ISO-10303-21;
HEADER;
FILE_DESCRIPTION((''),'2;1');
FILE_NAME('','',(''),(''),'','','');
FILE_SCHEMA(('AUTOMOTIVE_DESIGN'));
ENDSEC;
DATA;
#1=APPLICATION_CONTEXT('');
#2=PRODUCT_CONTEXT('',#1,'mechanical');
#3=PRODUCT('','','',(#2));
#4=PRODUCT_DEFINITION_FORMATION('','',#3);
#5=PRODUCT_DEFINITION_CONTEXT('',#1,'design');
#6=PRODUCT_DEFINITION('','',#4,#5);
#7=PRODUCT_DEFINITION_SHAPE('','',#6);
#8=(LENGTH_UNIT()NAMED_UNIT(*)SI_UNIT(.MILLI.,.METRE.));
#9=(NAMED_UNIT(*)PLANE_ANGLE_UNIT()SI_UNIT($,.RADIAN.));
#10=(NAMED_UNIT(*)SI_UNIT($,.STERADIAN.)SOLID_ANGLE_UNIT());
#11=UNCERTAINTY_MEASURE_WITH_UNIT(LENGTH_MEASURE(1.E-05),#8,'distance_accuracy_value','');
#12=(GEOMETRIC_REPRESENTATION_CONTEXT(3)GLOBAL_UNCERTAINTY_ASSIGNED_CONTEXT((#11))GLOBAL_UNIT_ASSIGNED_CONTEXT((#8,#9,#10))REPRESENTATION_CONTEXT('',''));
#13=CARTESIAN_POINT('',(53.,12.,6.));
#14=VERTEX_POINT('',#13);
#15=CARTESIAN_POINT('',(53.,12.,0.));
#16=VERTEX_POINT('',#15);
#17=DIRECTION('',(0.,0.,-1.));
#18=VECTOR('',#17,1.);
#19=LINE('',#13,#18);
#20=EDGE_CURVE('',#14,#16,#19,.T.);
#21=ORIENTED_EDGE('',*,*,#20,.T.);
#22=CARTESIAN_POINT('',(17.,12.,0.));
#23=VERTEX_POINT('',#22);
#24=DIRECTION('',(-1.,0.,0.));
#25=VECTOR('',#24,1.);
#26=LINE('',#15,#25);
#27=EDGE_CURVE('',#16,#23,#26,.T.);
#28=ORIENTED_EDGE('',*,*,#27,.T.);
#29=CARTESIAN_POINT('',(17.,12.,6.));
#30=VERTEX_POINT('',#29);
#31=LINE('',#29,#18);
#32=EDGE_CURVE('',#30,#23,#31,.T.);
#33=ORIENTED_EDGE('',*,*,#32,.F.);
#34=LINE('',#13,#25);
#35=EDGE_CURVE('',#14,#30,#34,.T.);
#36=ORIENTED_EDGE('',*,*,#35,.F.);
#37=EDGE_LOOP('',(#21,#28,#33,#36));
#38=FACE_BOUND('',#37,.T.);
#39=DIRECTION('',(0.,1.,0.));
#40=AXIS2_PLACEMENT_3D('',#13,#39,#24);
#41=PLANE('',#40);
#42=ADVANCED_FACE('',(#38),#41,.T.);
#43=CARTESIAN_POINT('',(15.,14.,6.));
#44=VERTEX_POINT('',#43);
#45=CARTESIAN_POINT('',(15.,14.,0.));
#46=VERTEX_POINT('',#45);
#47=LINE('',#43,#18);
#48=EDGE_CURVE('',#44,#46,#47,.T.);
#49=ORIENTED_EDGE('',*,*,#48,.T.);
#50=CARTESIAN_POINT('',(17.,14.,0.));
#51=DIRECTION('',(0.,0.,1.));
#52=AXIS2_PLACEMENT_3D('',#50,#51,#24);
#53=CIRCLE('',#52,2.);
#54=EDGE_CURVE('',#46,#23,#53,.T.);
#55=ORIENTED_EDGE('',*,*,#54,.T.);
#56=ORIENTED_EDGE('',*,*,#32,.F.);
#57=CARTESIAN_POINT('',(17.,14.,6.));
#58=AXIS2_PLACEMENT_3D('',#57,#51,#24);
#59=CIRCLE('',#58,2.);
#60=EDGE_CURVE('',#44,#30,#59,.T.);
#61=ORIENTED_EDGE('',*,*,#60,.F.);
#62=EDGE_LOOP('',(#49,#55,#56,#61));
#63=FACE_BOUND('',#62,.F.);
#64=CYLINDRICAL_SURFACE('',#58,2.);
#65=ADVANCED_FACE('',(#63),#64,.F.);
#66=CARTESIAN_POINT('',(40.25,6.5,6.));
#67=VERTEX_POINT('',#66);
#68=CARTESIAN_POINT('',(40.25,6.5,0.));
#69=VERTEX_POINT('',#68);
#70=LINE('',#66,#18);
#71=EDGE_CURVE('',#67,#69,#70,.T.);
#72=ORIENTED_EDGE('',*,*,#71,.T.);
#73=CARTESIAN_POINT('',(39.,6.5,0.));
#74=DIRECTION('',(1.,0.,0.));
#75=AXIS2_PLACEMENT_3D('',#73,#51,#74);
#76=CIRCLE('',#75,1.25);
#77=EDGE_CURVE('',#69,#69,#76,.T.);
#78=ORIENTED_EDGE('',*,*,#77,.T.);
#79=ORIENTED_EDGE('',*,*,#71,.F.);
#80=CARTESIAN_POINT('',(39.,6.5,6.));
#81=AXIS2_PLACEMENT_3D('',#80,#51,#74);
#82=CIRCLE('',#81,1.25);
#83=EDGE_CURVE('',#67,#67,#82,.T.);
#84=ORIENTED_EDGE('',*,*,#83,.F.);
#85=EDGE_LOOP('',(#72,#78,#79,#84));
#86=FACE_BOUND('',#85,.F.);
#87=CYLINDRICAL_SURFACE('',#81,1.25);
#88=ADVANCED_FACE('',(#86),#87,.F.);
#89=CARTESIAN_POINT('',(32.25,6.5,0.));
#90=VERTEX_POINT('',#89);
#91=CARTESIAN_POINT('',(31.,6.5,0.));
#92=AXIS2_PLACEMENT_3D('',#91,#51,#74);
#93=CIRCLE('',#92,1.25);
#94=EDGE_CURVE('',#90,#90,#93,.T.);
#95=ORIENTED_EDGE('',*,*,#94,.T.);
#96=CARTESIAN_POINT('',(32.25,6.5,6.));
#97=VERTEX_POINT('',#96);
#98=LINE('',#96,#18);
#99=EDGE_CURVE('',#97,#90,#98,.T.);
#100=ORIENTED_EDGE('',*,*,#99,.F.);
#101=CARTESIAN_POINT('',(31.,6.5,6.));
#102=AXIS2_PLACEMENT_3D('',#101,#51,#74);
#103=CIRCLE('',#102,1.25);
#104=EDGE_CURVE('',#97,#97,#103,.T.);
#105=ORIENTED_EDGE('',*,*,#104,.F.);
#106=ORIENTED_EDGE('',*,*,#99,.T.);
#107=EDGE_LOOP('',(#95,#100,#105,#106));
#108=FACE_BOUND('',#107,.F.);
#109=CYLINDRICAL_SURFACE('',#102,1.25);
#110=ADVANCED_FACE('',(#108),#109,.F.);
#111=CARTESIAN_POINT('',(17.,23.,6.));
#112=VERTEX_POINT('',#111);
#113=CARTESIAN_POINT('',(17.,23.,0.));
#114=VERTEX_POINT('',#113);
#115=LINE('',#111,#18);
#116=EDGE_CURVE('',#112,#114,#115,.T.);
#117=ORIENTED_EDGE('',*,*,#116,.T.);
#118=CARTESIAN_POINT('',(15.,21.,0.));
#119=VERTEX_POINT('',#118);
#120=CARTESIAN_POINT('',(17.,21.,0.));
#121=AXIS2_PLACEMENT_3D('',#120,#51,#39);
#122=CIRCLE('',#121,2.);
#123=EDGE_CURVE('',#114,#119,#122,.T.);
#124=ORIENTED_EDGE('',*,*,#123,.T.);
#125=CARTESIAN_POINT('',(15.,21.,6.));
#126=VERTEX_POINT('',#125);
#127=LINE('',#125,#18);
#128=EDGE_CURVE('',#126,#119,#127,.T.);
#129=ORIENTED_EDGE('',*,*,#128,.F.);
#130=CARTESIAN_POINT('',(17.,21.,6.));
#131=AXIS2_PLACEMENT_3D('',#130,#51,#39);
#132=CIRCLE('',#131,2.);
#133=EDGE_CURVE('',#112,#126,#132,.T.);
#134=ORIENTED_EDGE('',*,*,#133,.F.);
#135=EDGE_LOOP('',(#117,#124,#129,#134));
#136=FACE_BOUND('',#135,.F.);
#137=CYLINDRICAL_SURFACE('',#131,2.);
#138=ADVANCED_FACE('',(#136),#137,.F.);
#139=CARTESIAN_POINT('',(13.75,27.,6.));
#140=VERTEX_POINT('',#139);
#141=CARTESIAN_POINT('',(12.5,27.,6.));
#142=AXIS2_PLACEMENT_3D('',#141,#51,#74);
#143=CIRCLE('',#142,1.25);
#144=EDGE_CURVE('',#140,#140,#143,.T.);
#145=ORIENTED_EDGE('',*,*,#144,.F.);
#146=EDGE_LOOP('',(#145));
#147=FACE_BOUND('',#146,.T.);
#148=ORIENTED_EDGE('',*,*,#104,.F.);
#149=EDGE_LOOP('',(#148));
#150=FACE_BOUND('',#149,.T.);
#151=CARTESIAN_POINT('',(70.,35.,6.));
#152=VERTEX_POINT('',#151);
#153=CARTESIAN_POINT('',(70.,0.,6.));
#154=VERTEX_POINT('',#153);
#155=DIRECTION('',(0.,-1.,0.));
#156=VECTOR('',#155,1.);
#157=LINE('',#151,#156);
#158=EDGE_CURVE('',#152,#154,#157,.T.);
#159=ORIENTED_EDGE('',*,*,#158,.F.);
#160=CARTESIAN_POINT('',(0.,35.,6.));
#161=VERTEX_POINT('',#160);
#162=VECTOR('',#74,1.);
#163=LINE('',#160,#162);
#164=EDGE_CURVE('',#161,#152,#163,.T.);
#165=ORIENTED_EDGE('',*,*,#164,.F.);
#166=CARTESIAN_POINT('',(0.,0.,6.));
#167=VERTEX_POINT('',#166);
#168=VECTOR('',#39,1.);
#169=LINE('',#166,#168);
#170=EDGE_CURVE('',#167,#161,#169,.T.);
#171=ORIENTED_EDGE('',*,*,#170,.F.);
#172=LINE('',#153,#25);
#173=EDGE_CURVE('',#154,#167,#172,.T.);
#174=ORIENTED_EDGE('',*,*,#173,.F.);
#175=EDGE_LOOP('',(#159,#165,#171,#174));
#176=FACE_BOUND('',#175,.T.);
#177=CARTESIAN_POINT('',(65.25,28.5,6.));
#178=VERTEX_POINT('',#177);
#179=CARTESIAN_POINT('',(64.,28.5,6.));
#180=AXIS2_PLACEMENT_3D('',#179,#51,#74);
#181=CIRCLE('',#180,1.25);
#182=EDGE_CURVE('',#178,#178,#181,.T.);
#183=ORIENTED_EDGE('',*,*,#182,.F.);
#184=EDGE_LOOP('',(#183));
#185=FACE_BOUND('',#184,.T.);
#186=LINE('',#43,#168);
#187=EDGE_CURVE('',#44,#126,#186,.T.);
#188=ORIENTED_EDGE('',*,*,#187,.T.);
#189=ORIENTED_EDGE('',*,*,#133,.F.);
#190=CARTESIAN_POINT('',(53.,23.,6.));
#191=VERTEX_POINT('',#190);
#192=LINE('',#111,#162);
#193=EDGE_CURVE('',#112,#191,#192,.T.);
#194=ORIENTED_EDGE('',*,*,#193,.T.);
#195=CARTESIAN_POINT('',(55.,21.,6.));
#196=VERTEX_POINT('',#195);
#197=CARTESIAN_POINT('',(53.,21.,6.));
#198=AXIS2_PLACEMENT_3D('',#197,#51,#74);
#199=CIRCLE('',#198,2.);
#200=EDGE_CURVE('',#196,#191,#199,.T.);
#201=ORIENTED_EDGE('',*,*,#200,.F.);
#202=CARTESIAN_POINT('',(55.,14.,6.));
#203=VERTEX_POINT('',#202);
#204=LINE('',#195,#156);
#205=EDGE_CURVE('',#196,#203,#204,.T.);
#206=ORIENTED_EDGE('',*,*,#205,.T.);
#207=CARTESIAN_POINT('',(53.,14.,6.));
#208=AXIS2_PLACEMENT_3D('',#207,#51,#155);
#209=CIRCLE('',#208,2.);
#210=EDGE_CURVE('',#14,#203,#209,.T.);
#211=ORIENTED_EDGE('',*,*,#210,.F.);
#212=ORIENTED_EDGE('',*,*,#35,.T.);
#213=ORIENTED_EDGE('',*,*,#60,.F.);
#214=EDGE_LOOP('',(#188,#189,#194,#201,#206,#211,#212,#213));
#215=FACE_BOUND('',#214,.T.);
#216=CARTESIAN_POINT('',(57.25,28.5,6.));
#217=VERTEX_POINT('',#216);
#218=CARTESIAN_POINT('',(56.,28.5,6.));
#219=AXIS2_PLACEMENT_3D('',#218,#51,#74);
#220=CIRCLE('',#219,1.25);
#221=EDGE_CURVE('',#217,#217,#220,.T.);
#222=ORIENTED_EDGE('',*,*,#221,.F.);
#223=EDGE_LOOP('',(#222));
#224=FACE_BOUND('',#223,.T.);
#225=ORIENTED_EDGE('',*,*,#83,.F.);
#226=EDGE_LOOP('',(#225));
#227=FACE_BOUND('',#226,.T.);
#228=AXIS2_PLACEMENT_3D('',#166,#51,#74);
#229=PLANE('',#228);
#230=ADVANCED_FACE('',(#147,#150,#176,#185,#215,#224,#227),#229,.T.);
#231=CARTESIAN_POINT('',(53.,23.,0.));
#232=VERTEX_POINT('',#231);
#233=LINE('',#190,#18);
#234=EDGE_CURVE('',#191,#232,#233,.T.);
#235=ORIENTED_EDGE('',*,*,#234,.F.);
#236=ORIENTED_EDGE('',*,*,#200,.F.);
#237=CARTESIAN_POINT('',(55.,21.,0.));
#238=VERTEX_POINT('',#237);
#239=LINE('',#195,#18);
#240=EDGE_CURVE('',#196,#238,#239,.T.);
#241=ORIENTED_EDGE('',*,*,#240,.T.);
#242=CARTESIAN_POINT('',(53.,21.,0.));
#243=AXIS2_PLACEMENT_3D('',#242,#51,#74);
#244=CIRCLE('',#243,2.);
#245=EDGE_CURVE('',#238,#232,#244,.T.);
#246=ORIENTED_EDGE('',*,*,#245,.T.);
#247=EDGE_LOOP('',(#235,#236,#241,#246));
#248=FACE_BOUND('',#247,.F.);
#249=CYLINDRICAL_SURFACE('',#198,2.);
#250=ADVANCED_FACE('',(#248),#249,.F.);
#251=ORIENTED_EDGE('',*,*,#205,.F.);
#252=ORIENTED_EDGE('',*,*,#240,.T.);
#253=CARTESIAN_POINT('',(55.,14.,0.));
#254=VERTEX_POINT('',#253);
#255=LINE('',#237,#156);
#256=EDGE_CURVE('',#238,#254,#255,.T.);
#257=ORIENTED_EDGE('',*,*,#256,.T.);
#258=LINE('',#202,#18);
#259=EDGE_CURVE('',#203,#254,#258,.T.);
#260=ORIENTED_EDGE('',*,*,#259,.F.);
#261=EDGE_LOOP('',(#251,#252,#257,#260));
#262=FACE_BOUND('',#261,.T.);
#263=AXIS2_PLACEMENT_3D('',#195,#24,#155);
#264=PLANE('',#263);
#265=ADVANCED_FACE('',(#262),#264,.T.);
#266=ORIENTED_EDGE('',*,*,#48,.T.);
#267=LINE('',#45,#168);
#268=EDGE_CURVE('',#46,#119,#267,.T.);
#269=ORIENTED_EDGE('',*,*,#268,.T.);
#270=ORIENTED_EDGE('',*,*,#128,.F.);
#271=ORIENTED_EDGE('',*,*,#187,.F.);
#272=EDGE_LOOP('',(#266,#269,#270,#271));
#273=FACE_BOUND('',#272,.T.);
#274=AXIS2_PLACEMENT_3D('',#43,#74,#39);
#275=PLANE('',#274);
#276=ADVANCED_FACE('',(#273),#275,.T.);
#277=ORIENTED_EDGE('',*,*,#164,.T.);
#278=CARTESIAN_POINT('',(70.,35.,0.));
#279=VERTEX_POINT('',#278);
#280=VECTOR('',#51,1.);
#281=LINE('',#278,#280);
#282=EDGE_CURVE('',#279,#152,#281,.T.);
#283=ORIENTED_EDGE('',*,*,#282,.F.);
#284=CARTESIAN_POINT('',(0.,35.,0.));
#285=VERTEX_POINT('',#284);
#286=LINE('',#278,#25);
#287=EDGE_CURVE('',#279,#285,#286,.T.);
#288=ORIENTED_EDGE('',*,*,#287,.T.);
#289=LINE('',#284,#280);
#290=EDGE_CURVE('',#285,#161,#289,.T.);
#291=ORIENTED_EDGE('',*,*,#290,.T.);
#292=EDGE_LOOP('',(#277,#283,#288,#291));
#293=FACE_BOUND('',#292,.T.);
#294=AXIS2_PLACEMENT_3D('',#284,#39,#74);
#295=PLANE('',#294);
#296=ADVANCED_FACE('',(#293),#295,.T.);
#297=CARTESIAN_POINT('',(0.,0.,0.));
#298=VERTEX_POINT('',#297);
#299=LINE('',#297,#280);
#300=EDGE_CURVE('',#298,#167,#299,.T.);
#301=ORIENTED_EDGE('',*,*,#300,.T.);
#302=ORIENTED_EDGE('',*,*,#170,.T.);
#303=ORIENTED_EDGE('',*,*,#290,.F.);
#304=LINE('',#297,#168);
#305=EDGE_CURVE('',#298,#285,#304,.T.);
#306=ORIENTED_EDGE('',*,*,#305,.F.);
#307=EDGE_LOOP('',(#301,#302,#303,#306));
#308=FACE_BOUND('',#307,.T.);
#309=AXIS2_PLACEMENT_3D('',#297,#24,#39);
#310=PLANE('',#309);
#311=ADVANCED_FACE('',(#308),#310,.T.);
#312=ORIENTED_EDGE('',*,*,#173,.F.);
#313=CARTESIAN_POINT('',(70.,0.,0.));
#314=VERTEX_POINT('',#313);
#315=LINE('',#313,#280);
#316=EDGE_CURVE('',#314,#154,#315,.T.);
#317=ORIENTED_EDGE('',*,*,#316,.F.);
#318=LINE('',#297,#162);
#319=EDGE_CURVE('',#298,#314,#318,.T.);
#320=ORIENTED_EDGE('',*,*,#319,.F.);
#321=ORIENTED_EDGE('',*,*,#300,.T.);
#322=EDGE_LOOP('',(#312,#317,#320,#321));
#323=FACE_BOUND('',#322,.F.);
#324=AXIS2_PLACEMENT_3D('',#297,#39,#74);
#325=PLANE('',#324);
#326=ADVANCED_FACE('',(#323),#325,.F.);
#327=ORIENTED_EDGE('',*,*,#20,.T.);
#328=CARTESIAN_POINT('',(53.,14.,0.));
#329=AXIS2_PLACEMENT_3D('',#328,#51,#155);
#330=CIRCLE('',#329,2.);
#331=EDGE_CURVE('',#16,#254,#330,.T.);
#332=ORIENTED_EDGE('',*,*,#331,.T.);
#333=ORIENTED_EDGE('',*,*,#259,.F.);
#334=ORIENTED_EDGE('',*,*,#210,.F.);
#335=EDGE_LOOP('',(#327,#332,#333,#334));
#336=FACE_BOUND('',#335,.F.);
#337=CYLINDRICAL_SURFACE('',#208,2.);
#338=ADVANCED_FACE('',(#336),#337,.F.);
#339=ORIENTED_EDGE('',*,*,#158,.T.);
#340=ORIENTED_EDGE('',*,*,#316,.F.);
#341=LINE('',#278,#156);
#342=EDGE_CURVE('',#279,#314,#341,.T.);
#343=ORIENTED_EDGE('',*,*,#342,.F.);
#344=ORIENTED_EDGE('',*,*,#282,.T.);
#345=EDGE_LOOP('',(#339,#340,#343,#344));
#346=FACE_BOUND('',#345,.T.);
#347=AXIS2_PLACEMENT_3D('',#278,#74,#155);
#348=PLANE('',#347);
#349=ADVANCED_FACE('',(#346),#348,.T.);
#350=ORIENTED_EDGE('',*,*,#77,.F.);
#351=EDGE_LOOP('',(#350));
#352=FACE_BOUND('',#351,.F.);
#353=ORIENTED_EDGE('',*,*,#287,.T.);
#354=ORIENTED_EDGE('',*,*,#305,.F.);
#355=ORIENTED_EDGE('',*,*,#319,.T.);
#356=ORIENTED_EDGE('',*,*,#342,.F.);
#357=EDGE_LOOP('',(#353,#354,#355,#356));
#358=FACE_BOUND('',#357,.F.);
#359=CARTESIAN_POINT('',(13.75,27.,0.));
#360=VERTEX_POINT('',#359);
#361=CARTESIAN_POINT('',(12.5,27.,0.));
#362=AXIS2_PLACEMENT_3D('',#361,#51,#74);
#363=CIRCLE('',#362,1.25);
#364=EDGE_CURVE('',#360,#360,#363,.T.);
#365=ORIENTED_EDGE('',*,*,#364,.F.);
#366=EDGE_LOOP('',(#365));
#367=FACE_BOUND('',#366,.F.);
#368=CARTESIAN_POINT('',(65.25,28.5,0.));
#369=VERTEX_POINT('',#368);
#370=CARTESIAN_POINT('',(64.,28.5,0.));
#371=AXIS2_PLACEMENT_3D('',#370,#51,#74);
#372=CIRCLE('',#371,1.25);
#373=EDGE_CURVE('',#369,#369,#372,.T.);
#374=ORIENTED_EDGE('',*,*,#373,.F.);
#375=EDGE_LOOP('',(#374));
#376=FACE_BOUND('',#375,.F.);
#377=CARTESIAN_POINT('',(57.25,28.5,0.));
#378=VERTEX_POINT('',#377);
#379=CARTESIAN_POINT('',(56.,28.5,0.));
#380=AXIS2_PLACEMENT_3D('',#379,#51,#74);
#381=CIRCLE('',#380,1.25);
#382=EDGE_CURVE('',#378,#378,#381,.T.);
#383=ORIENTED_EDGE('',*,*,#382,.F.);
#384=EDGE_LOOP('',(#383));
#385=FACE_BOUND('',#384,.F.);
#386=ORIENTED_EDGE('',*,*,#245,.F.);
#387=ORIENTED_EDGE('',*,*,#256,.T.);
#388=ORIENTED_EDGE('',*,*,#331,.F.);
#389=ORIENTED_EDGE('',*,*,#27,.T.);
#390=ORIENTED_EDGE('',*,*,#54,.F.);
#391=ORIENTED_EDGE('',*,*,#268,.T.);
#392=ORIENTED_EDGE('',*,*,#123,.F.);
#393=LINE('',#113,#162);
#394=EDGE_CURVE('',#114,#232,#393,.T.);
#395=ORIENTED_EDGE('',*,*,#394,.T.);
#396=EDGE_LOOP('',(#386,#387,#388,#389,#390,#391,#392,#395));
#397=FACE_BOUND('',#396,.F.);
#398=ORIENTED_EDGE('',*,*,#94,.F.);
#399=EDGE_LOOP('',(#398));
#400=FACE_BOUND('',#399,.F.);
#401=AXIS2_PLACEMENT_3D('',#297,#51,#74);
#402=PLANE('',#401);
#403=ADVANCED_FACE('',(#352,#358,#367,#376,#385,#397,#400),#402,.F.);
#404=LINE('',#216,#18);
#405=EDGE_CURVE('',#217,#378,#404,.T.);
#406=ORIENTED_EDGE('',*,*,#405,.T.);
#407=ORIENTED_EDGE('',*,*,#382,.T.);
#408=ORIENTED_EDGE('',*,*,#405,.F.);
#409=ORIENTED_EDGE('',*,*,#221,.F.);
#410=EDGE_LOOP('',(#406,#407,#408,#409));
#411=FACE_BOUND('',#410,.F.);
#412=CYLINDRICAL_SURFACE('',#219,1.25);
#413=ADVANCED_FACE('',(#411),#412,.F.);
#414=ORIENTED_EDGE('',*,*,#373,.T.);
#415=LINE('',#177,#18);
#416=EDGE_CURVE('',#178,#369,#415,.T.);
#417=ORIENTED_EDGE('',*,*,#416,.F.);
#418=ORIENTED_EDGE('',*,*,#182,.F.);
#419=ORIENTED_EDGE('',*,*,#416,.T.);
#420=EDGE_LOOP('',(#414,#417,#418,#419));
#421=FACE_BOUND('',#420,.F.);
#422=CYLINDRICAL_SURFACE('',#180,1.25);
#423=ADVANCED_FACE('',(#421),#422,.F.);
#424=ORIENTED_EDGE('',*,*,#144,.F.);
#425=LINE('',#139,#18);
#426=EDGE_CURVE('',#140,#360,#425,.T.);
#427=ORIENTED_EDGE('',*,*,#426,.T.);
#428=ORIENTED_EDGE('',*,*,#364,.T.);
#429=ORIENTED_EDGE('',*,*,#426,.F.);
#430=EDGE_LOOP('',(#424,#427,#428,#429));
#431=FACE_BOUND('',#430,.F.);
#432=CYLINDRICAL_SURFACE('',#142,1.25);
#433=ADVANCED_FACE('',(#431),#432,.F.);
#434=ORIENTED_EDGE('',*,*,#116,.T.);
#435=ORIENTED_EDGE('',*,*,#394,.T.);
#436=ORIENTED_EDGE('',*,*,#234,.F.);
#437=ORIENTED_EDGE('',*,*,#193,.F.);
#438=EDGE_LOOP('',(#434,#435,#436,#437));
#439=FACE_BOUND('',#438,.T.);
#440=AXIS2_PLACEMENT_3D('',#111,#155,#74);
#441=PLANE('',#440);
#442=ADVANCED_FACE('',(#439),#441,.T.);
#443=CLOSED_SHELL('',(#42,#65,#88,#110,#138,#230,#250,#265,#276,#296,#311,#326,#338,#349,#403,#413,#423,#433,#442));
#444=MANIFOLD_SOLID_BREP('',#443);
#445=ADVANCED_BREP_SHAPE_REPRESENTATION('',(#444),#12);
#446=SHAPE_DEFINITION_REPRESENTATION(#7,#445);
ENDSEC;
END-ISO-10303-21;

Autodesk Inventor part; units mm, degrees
ref_plane "YZ Plane" through (0, 0, 0) normal (1, 0, 0) x (0, 1, 0)
ref_plane "XZ Plane" through (0, 0, 0) normal (0, 1, 0) x (-1, 0, 0)
ref_plane "XY Plane" through (0, 0, 0) normal (0, 0, 1) x (1, 0, 0)
ref_plane "작업 평면1" through (0, 0, 0) normal (0, 0, 1) x (1, 0, 0)
sketch "스케치1" plane through (0, 0, 0) normal (0, 0, 1) x (1, 0, 0)
  line L0 (0, 0) -> (6, 0) projected
  line L1 (6, 0) -> (6, 35) projected
  line L2 (0, 35) -> (6, 35) projected
  line L3 (0, 0) -> (0, 35) projected
  line L4 (0, 35) -> (70, 35)
  line L5 (70, 35) -> (70, 0)
  line L6 (70, 0) -> (0, 0)
  line L7 (0, 0) -> (0, 35)
  dimension "d4" = 0
  dimension "d0" = 70
extrude "돌출1" add sketch "스케치1" along normal blind 6
sketch "스케치2" plane through (0, 0, 6) normal (0, 0, 1) x (1, 0, 0)
  circle A0 centre (39, 6.5) radius 1.25 projected
  circle A1 centre (31, 6.5) radius 1.25 projected
  line L0 (25, 3) -> (45, 3) projected
  line L1 (45, 3) -> (45, 10) projected
  line L2 (45, 10) -> (25, 10) projected
  line L3 (25, 10) -> (25, 3) projected
  point P0 (0, 0)
extrude "돌출2" cut sketch "스케치2" against normal blind 6 contours A0 | A1
sketch "스케치3" plane through (0, 0, 6) normal (0, 0, 1) x (1, 0, 0)
  circle A0 centre (56, 28.5) radius 1.25 projected
  circle A1 centre (64, 28.5) radius 1.25 projected
  circle A2 centre (56, 28.5) radius 1.25 projected
  line L0 (50, 32) -> (70, 32) projected
  line L1 (70, 32) -> (70, 25) projected
  line L2 (70, 25) -> (50, 25) projected
  line L3 (50, 25) -> (50, 32) projected
  circle A3 centre (12.5, 27) radius 1.25 projected
  line L4 (9, 32) -> (16, 32) projected
  line L5 (16, 22) -> (16, 32) projected
  line L6 (9, 22) -> (16, 22) projected
  line L7 (9, 32) -> (9, 22) projected
  point P0 (0, 0)
extrude "돌출3" cut sketch "스케치3" against normal blind 6 contours A0 | A1 | A3
sketch "스케치4" plane through (0, 0, 6) normal (0, 0, 1) x (1, 0, 0)
  line L0 (15, 14) -> (15, 21) projected
  arc A0 (17, 23) -> (15, 21) centre (17, 21) ccw projected
  line L1 (17, 23) -> (53, 23) projected
  arc A1 (55, 21) -> (53, 23) centre (53, 21) ccw projected
  line L2 (55, 21) -> (55, 14) projected
  arc A2 (53, 12) -> (55, 14) centre (53, 14) ccw projected
  line L3 (53, 12) -> (17, 12) projected
  arc A3 (15, 14) -> (17, 12) centre (17, 14) ccw projected
  circle A4 centre (64, 28.5) radius 1.25 projected
  circle A5 centre (56, 28.5) radius 1.25 projected
  circle A6 centre (14, 27) radius 1.25 projected
  circle A7 centre (39, 6.5) radius 1.25 projected
  circle A8 centre (31, 6.5) radius 1.25 projected
  line L4 (0, 0) -> (70, 0) projected
  line L5 (70, 0) -> (70, 35) projected
  line L6 (70, 35) -> (0, 35) projected
  line L7 (0, 35) -> (0, 0) projected
  point P0 (0, 0)
extrude "돌출4" cut sketch "스케치4" against normal blind 6 contours L0 A0 L1 A1 L2 A2 L3 A3
properties part number "61" material "아크릴, 선명"
